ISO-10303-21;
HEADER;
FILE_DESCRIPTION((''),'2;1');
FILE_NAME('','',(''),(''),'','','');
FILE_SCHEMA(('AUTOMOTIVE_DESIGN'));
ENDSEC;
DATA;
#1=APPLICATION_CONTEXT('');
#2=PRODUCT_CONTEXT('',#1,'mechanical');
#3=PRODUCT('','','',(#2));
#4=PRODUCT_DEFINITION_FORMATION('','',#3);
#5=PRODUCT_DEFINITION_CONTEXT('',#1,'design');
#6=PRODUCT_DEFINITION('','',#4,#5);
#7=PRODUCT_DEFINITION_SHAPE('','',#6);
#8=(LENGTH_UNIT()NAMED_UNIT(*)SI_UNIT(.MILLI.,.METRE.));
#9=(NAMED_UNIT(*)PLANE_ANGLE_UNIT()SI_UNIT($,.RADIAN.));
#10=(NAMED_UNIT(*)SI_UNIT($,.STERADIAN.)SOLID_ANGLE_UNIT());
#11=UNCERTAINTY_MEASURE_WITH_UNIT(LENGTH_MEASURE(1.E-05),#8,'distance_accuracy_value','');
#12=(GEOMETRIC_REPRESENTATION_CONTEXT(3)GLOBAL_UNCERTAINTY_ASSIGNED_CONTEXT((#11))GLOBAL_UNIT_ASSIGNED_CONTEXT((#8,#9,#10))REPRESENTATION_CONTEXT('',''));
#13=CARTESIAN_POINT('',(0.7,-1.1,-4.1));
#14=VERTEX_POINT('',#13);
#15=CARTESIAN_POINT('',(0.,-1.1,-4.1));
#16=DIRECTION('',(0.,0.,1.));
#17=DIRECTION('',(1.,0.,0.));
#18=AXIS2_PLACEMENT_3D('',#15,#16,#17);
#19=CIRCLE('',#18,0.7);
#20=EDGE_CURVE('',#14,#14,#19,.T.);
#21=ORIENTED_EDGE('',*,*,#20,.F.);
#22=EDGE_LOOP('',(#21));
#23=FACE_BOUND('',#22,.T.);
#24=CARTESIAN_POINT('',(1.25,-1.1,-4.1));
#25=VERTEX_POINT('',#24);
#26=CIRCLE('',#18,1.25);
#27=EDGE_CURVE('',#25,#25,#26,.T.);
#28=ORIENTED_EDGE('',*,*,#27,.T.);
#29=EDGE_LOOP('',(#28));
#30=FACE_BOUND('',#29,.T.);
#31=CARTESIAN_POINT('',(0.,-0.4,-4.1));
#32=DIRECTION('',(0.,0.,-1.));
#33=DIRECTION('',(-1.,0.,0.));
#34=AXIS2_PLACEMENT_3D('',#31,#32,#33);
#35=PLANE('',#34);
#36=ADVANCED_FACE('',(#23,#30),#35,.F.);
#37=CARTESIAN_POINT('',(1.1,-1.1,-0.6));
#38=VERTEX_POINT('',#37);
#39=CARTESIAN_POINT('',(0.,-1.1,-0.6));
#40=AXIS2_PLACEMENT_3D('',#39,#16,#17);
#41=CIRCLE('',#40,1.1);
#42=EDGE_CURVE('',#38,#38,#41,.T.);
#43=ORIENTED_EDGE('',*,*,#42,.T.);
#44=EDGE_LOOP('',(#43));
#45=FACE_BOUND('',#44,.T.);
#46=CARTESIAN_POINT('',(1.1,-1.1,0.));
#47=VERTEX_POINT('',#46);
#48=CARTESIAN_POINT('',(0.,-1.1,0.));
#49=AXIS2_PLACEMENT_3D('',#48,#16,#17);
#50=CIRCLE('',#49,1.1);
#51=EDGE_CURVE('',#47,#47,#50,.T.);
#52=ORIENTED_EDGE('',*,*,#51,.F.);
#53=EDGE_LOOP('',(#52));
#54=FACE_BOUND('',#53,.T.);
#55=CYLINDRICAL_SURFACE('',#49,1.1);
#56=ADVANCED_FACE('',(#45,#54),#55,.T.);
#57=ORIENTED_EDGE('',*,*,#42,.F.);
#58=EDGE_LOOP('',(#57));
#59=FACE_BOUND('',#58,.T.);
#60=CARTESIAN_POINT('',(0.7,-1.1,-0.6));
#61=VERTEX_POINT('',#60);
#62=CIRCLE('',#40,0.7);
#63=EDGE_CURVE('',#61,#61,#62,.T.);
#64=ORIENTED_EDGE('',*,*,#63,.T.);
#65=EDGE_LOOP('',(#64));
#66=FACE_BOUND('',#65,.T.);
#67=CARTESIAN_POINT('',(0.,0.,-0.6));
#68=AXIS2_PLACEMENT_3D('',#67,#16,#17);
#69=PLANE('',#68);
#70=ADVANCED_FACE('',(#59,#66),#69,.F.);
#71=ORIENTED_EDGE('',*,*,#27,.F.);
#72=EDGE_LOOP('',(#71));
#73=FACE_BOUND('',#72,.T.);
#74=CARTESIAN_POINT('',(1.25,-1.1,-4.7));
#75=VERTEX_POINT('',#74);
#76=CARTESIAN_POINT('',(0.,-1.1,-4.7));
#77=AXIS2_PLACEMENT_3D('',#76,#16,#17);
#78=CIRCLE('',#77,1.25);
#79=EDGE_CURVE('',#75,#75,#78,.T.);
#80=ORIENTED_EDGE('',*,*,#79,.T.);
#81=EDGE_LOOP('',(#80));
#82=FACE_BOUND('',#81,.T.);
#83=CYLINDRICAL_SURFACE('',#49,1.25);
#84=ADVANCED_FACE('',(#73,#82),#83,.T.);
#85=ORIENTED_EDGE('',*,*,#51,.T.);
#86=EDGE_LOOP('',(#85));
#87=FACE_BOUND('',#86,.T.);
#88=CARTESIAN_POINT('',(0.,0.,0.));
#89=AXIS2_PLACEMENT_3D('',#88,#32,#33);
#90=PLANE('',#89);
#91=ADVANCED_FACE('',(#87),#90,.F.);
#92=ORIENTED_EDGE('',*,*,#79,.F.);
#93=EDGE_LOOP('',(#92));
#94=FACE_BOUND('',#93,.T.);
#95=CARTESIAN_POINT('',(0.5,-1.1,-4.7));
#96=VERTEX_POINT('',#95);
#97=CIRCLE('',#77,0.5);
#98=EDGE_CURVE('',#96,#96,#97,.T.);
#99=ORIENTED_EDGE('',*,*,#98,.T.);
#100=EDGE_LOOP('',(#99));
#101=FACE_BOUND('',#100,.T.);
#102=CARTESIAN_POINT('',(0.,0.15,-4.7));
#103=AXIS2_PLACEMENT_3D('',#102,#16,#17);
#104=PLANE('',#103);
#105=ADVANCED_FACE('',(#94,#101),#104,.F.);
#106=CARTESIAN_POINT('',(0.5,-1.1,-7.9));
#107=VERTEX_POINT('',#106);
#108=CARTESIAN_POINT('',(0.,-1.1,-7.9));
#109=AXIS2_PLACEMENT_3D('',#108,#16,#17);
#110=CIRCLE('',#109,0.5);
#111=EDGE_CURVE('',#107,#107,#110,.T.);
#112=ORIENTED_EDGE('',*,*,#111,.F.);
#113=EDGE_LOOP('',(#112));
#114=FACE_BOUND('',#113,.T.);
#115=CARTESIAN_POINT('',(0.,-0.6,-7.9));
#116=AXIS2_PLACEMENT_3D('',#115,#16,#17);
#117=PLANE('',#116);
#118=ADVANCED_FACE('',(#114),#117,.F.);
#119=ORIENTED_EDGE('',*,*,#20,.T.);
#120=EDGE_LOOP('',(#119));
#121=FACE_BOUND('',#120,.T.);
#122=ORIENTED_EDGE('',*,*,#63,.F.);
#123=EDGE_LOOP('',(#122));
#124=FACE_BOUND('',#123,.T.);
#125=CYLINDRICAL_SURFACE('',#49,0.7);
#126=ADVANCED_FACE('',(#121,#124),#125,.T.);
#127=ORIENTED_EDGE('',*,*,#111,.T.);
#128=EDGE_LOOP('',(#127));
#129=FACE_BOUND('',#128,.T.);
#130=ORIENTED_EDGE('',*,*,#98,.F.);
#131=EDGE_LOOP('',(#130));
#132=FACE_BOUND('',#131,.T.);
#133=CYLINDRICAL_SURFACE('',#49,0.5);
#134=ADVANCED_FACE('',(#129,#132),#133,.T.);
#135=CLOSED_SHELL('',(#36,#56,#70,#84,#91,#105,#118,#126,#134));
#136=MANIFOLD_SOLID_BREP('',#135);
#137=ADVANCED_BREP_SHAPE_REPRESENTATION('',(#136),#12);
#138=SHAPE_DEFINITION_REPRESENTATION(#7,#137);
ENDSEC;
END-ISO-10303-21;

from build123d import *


with BuildPart() as part:
    # Sketch1 → Revolve1 (revolve)
    with BuildSketch(Plane(origin=(0, 0, 0), x_dir=(0, 0, -1), z_dir=(1, 0, 0)), mode=Mode.PRIVATE) as revolve1_sk:
        Polygon((0, 0), (0.6, 0), (0.6, -0.4), (4.1, -0.4), (4.1, 0.15), (4.7, 0.15), (4.7, -0.6), (7.9, -0.6), (7.9, -1.1), (0, -1.1), align=None)
    revolve(revolve1_sk.sketch.rotate(Axis((0, -1.1, 0), (0, 0, -1)), 90), axis=Axis((0, -1.1, 0), (0, 0, -1)))


solid = part.part
